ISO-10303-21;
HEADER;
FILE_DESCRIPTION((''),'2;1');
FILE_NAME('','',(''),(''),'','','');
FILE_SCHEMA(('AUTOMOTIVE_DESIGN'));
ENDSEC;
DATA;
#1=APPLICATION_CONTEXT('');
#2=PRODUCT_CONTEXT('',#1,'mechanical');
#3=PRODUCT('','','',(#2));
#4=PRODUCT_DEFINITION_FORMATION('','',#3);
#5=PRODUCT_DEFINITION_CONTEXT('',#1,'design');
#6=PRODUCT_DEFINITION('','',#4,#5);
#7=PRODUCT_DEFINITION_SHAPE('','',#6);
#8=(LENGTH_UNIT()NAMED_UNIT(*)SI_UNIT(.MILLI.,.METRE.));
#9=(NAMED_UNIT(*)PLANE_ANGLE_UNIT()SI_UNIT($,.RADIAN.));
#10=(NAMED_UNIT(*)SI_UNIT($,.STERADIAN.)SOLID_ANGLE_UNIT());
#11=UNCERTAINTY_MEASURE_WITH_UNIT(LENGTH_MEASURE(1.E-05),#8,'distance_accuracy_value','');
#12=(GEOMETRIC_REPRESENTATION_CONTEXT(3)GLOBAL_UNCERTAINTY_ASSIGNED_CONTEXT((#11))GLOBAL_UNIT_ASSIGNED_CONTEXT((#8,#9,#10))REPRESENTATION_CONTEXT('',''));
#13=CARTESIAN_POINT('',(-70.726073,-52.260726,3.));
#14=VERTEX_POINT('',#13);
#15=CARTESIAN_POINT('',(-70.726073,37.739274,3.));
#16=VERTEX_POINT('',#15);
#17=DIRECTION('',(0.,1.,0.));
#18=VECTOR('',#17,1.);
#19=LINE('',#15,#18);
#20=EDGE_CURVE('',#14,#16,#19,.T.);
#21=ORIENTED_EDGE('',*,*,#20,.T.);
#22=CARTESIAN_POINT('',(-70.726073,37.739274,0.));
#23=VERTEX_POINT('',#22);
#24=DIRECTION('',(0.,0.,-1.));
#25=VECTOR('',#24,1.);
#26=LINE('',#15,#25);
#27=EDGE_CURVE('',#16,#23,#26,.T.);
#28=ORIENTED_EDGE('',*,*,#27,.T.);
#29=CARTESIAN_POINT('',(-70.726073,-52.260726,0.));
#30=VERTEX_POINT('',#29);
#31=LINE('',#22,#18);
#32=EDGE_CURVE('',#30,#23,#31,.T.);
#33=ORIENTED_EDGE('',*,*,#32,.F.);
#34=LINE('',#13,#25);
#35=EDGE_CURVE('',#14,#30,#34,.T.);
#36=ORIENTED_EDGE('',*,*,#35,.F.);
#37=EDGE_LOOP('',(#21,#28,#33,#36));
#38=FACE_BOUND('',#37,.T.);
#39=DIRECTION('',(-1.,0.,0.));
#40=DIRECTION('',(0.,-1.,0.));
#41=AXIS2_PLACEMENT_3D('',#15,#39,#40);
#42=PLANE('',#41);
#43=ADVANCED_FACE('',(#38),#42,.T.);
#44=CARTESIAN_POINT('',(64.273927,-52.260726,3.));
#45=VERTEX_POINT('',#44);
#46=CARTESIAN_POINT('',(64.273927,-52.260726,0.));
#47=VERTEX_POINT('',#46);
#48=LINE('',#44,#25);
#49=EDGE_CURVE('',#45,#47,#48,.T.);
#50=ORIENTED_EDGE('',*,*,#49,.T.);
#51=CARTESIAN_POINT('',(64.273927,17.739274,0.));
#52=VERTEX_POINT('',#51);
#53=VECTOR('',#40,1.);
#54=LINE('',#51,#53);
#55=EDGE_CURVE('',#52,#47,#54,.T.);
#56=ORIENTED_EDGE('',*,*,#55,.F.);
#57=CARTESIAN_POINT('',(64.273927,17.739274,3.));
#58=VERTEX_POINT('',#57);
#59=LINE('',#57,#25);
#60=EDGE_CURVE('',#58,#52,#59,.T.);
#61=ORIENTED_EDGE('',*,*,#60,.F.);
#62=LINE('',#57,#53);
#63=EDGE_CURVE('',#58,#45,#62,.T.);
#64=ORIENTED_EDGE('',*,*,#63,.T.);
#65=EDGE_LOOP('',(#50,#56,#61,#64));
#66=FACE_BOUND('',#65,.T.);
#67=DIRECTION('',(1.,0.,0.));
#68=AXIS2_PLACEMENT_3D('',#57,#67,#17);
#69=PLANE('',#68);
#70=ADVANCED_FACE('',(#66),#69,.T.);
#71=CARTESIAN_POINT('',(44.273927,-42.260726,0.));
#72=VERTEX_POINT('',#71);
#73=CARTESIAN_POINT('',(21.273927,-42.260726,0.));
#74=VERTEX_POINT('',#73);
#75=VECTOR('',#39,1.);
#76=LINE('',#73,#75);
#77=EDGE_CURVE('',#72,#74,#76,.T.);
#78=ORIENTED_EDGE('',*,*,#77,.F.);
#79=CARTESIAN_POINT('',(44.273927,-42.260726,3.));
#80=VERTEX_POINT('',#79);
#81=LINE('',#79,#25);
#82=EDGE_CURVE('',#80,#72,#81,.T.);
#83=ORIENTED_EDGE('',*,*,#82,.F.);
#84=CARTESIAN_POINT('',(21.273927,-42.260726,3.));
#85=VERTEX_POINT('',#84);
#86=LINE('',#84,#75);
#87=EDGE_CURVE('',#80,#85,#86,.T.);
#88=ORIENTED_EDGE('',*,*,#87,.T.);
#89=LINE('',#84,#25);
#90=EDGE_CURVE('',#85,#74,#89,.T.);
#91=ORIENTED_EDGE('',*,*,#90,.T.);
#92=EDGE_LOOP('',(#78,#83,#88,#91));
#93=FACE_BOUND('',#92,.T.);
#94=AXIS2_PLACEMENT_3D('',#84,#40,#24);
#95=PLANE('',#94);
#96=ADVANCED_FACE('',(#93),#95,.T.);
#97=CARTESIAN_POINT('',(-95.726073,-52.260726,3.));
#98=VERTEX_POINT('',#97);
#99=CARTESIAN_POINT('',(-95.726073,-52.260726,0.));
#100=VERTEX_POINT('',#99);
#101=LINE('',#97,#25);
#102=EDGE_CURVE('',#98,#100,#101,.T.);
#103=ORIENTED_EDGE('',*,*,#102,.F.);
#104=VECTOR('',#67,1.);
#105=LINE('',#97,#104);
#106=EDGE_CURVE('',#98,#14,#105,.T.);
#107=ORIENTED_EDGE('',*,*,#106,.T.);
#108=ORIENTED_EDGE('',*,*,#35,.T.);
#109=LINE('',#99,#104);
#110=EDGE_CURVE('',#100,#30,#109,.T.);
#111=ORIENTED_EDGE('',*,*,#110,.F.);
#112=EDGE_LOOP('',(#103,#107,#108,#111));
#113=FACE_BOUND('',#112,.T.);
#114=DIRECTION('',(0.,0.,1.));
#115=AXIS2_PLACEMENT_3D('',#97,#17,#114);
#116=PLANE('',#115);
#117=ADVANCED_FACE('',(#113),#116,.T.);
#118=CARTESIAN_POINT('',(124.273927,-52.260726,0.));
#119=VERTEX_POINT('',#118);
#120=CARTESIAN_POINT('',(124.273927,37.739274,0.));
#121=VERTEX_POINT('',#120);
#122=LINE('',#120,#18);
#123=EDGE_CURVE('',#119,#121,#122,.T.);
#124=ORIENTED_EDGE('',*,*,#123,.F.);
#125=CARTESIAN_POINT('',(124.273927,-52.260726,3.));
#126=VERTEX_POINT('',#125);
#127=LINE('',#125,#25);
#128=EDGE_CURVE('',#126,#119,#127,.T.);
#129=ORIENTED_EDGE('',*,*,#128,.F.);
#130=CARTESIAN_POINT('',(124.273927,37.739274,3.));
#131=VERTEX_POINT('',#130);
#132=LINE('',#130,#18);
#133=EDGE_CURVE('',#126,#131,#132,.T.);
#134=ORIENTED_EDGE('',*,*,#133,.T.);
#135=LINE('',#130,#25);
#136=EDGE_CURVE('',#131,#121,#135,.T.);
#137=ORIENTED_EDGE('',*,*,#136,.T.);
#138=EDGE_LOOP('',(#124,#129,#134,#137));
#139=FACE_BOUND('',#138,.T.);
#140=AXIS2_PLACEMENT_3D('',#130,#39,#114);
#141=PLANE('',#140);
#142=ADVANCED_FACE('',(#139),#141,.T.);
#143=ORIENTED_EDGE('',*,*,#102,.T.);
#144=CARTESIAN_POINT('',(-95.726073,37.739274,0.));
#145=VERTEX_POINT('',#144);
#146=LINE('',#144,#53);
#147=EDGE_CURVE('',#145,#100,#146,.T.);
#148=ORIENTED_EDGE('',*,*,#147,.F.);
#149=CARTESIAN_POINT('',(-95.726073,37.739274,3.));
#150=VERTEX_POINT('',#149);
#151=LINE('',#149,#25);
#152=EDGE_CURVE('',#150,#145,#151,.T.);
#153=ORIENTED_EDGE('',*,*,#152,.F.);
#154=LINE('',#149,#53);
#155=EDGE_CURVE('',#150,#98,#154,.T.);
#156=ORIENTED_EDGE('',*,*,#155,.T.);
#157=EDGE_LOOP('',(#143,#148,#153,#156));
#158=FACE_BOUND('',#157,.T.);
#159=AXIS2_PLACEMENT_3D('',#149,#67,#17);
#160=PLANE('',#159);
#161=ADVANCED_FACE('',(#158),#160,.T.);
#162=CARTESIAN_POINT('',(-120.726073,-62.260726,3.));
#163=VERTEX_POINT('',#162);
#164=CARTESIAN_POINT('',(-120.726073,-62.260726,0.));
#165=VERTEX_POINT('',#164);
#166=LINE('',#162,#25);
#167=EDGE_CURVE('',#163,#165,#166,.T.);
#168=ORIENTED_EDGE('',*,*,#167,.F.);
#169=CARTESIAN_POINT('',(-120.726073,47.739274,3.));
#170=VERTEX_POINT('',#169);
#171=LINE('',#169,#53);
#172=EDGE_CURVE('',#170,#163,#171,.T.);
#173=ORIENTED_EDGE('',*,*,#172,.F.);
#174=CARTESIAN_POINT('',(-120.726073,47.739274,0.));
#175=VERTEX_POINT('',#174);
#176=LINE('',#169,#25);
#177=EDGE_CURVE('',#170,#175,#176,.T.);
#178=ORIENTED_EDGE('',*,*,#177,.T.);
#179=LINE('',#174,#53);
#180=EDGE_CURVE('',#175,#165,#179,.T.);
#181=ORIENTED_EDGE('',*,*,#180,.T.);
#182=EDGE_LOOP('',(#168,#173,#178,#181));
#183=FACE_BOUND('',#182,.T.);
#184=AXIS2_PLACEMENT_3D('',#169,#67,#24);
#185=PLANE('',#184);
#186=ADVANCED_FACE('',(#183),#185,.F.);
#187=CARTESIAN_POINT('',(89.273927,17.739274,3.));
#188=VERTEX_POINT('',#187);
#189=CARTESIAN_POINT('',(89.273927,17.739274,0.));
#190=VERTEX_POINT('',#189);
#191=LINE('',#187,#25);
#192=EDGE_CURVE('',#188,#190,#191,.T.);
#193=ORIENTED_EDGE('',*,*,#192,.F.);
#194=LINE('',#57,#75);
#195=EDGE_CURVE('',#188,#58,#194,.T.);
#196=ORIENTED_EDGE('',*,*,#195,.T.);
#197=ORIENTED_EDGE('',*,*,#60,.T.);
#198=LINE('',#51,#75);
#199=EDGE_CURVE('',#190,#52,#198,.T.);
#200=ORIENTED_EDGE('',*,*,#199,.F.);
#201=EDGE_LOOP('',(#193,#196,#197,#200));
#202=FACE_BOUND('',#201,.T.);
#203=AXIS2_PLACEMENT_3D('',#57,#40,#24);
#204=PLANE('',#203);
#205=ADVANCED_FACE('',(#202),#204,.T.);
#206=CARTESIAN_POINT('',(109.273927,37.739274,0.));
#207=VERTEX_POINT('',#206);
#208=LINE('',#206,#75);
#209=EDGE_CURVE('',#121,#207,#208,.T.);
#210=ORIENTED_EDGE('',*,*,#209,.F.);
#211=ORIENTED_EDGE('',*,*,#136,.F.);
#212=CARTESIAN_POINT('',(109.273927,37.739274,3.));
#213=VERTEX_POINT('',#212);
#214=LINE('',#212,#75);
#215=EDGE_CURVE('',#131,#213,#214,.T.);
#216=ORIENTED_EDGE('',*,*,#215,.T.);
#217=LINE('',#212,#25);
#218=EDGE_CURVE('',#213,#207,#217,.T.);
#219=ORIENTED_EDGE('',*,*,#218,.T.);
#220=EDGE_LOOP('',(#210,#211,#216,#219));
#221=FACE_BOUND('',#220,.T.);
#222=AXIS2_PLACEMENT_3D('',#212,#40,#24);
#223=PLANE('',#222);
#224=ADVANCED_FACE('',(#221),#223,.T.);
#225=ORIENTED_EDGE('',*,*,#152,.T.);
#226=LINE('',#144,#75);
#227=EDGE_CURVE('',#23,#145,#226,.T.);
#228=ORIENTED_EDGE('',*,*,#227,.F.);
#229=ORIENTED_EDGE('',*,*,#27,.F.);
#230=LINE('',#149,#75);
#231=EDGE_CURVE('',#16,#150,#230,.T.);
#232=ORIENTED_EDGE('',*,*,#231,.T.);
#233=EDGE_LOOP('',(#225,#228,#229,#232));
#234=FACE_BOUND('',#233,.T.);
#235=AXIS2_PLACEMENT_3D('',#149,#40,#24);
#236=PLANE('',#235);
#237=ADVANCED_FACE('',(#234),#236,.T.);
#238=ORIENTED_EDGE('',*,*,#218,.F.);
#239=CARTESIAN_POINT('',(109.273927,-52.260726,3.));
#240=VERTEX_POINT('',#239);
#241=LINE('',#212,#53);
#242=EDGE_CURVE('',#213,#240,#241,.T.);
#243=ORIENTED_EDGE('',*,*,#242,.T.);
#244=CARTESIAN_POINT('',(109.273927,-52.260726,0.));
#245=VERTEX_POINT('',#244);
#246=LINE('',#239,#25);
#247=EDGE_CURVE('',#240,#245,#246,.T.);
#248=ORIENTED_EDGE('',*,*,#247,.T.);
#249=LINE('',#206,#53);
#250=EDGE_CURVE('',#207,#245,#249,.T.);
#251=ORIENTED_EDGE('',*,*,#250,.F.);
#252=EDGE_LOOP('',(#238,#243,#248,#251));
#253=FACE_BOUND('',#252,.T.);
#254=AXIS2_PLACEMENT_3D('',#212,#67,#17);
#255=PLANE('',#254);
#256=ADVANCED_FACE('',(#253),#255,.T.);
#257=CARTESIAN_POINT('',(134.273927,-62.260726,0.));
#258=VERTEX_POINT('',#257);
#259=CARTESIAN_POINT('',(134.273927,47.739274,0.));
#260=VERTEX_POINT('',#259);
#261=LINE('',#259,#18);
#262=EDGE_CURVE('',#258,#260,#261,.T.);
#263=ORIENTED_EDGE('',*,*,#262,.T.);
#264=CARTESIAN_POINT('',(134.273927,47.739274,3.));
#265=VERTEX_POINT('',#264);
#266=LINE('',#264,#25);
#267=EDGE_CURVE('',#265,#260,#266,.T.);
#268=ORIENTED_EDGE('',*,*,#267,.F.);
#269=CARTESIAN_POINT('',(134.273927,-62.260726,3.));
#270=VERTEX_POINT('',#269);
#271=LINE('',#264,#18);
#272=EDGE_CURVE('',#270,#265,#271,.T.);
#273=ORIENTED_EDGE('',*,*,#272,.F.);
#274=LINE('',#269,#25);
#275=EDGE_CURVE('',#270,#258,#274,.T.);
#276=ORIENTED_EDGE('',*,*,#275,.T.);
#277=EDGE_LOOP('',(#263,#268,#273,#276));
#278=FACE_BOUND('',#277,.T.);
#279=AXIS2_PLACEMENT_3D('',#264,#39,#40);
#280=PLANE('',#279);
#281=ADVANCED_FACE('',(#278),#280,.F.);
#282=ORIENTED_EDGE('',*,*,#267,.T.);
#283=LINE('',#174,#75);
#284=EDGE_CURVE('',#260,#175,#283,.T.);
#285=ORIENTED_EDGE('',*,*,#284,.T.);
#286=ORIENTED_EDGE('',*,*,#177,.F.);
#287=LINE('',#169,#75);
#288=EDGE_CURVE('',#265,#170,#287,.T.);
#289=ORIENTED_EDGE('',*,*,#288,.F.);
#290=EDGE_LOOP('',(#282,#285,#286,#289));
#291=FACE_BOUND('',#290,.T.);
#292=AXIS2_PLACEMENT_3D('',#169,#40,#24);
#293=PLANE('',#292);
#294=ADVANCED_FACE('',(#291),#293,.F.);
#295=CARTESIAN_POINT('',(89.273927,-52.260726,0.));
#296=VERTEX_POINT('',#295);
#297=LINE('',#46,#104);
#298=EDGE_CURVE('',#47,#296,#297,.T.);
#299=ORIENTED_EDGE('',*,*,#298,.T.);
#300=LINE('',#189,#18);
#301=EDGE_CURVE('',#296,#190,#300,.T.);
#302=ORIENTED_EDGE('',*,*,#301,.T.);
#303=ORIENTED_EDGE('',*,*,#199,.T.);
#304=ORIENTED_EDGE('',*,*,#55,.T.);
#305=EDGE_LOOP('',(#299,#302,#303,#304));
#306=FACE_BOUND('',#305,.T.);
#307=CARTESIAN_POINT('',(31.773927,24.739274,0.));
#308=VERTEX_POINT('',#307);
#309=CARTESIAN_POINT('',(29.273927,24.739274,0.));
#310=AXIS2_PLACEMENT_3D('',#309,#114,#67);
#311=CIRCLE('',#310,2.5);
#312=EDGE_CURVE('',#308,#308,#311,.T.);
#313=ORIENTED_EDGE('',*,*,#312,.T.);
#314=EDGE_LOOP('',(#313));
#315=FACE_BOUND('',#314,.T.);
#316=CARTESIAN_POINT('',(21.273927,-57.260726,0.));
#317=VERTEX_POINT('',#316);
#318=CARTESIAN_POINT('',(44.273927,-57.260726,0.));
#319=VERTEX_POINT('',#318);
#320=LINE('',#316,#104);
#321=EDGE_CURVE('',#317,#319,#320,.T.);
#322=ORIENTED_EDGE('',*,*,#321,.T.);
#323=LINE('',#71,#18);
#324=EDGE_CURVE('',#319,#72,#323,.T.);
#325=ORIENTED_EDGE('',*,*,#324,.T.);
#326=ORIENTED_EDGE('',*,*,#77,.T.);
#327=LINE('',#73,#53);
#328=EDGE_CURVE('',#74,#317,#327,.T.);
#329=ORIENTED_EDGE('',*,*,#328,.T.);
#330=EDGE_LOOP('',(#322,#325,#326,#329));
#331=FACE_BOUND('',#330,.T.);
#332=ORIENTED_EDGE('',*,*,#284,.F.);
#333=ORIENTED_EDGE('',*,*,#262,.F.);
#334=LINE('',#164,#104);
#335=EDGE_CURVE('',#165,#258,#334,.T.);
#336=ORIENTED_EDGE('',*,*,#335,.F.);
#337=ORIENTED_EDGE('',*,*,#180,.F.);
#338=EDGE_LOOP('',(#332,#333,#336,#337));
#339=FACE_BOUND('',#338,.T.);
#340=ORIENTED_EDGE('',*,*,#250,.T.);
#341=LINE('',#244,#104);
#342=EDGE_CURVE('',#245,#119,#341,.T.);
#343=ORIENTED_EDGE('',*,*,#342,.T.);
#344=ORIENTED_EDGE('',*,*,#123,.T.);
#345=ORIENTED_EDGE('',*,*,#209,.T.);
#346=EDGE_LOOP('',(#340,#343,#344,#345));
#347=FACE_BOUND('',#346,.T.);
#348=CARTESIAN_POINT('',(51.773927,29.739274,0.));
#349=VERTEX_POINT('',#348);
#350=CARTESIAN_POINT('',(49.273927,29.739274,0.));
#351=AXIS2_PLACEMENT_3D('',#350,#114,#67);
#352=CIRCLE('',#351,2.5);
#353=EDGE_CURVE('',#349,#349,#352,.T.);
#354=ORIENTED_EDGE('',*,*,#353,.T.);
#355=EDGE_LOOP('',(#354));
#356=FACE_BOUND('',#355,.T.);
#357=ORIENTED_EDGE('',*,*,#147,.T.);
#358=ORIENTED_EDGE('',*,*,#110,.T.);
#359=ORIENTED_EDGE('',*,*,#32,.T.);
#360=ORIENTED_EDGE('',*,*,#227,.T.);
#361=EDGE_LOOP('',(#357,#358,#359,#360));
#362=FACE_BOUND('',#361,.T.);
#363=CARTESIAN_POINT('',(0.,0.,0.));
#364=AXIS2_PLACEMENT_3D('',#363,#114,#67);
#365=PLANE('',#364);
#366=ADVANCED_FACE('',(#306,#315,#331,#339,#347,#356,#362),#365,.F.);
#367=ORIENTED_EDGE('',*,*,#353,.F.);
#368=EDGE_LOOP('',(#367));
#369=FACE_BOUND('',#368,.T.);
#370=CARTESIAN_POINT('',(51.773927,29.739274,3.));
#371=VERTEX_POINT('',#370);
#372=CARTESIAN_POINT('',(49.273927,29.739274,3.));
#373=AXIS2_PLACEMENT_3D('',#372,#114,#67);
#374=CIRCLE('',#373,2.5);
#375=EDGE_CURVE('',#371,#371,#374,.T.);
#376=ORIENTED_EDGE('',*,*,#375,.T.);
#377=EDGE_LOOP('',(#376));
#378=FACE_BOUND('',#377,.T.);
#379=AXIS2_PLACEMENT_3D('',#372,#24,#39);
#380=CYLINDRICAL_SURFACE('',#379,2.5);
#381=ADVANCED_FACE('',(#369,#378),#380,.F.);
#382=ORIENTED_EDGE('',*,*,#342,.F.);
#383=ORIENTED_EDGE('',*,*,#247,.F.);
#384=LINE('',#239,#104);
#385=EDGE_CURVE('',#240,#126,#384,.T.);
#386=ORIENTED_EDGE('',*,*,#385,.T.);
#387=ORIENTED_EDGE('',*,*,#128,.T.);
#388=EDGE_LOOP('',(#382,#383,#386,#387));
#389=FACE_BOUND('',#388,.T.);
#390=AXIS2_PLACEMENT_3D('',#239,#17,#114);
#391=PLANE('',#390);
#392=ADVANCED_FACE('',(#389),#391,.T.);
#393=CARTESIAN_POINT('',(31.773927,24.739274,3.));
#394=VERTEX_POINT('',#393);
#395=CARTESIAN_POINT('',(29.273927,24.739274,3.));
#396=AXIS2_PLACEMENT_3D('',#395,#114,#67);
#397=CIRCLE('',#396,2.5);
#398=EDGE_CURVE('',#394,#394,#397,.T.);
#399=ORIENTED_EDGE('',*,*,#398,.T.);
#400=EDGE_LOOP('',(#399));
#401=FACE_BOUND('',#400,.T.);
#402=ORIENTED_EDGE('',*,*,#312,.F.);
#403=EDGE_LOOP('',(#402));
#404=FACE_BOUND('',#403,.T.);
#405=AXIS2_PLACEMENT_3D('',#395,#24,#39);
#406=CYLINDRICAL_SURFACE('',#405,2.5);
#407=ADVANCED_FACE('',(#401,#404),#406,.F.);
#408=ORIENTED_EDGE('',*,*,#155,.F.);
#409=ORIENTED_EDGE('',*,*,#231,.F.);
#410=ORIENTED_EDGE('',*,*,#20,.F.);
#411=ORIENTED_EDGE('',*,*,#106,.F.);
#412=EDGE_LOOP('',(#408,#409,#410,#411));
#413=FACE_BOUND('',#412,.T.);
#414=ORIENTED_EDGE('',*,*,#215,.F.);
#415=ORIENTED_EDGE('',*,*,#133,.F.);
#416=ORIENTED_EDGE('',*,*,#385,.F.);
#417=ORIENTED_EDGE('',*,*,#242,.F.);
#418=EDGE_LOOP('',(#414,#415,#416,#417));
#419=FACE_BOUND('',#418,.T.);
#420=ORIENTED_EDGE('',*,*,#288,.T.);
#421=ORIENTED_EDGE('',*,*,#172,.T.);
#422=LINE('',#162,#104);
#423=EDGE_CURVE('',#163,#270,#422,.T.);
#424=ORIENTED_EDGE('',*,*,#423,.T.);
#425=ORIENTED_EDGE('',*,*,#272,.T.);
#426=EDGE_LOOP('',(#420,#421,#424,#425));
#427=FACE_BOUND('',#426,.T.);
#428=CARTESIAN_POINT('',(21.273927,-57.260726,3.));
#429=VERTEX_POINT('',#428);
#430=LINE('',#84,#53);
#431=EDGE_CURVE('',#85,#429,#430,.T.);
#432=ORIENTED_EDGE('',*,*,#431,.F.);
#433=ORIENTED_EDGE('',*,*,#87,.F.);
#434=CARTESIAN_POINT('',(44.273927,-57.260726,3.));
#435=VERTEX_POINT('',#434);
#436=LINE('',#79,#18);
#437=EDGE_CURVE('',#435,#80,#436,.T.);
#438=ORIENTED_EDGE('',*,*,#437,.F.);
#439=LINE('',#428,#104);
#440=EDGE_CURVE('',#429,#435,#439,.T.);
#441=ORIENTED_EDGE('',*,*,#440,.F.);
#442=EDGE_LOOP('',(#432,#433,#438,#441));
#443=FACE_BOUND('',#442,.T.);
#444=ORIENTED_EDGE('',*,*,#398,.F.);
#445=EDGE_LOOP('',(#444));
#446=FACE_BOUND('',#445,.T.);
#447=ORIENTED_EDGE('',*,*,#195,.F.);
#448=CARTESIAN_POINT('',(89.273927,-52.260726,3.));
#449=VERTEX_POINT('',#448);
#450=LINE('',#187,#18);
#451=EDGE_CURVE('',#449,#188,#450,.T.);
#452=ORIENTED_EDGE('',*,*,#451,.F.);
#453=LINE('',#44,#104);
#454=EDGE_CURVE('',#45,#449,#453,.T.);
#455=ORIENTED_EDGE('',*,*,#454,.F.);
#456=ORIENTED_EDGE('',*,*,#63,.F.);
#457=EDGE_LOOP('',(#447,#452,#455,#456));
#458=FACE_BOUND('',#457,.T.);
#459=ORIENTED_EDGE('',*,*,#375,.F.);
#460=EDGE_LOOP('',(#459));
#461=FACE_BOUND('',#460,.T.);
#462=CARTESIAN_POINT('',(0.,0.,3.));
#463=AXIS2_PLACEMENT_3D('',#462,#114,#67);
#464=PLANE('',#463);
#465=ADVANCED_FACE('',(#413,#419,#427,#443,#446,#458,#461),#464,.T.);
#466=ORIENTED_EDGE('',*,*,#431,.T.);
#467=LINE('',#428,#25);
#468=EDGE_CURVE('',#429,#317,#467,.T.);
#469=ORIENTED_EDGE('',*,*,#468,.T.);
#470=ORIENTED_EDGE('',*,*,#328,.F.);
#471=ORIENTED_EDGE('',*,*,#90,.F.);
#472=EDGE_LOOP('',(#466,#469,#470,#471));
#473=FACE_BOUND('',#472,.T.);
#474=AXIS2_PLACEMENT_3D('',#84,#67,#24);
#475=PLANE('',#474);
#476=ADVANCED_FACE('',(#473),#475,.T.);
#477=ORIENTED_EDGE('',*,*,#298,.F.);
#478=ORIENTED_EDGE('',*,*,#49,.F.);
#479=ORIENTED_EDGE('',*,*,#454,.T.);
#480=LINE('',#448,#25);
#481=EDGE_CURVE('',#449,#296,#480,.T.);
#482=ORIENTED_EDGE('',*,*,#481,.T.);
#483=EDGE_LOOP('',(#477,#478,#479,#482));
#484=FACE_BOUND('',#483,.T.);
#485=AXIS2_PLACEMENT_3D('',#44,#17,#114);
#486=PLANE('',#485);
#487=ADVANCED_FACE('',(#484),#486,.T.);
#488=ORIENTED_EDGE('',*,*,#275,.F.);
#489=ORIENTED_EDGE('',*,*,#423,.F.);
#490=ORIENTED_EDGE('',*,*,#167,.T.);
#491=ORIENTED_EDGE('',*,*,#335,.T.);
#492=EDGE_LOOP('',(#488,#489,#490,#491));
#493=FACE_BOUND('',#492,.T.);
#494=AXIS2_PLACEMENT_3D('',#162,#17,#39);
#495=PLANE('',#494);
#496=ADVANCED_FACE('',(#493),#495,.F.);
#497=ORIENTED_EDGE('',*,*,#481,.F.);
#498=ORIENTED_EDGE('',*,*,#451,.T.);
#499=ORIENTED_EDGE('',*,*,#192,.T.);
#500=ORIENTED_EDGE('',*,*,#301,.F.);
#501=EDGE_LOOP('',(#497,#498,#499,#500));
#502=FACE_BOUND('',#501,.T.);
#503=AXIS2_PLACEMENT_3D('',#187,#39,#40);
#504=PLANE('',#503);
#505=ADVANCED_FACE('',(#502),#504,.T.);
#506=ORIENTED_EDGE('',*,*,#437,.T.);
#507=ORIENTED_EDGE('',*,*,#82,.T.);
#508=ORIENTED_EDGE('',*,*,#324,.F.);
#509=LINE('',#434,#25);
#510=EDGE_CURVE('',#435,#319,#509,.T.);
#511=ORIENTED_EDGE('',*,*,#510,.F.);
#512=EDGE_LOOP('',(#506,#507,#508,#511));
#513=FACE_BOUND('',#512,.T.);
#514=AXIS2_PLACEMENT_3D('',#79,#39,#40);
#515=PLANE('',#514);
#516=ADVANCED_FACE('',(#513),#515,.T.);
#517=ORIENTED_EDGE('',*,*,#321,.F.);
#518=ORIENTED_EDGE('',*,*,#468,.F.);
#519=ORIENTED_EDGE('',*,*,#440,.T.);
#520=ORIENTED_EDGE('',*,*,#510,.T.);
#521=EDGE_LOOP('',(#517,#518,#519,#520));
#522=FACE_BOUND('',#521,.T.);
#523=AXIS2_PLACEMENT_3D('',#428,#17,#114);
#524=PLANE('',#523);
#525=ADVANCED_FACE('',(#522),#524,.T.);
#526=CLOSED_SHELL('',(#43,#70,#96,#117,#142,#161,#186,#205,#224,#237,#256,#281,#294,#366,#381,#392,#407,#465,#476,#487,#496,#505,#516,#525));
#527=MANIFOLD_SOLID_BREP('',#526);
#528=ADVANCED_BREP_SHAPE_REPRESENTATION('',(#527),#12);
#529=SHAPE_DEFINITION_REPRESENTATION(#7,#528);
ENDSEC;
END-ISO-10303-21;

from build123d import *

# Parameters (mm, degrees)
SKETCH1_W           = 255
SKETCH1_H           = 110
SKETCH1_R           = 2.5
SKETCH1_W_2         = 15
SKETCH1_H_2         = 90
SKETCH1_W_3         = 25
SKETCH1_W_4         = 23
SKETCH1_H_3         = 15
SKETCH1_H_4         = 70
BOSS_EXTRUDE1_DEPTH = 3


with BuildPart() as part:
    # Sketch1 → Boss-Extrude1 (new body)
    with BuildSketch(Plane.XY):
        with Locations((6.773927393, -7.260726073)):
            Rectangle(SKETCH1_W, SKETCH1_H)
        with Locations((29.273927393, 24.739273927)):
            Circle(SKETCH1_R, mode=Mode.SUBTRACT)
        with Locations((49.273927393, 29.739273927)):
            Circle(SKETCH1_R, mode=Mode.SUBTRACT)
        with Locations((116.773927393, -7.260726073)):
            Rectangle(SKETCH1_W_2, SKETCH1_H_2, mode=Mode.SUBTRACT)
        with Locations((-83.226072607, -7.260726073)):
            Rectangle(SKETCH1_W_3, SKETCH1_H_2, mode=Mode.SUBTRACT)
        with Locations((32.773927393, -49.760726073)):
            Rectangle(SKETCH1_W_4, SKETCH1_H_3, mode=Mode.SUBTRACT)
        with Locations((76.773927393, -17.260726073)):
            Rectangle(SKETCH1_W_3, SKETCH1_H_4, mode=Mode.SUBTRACT)
    extrude(amount=BOSS_EXTRUDE1_DEPTH)


solid = part.part
